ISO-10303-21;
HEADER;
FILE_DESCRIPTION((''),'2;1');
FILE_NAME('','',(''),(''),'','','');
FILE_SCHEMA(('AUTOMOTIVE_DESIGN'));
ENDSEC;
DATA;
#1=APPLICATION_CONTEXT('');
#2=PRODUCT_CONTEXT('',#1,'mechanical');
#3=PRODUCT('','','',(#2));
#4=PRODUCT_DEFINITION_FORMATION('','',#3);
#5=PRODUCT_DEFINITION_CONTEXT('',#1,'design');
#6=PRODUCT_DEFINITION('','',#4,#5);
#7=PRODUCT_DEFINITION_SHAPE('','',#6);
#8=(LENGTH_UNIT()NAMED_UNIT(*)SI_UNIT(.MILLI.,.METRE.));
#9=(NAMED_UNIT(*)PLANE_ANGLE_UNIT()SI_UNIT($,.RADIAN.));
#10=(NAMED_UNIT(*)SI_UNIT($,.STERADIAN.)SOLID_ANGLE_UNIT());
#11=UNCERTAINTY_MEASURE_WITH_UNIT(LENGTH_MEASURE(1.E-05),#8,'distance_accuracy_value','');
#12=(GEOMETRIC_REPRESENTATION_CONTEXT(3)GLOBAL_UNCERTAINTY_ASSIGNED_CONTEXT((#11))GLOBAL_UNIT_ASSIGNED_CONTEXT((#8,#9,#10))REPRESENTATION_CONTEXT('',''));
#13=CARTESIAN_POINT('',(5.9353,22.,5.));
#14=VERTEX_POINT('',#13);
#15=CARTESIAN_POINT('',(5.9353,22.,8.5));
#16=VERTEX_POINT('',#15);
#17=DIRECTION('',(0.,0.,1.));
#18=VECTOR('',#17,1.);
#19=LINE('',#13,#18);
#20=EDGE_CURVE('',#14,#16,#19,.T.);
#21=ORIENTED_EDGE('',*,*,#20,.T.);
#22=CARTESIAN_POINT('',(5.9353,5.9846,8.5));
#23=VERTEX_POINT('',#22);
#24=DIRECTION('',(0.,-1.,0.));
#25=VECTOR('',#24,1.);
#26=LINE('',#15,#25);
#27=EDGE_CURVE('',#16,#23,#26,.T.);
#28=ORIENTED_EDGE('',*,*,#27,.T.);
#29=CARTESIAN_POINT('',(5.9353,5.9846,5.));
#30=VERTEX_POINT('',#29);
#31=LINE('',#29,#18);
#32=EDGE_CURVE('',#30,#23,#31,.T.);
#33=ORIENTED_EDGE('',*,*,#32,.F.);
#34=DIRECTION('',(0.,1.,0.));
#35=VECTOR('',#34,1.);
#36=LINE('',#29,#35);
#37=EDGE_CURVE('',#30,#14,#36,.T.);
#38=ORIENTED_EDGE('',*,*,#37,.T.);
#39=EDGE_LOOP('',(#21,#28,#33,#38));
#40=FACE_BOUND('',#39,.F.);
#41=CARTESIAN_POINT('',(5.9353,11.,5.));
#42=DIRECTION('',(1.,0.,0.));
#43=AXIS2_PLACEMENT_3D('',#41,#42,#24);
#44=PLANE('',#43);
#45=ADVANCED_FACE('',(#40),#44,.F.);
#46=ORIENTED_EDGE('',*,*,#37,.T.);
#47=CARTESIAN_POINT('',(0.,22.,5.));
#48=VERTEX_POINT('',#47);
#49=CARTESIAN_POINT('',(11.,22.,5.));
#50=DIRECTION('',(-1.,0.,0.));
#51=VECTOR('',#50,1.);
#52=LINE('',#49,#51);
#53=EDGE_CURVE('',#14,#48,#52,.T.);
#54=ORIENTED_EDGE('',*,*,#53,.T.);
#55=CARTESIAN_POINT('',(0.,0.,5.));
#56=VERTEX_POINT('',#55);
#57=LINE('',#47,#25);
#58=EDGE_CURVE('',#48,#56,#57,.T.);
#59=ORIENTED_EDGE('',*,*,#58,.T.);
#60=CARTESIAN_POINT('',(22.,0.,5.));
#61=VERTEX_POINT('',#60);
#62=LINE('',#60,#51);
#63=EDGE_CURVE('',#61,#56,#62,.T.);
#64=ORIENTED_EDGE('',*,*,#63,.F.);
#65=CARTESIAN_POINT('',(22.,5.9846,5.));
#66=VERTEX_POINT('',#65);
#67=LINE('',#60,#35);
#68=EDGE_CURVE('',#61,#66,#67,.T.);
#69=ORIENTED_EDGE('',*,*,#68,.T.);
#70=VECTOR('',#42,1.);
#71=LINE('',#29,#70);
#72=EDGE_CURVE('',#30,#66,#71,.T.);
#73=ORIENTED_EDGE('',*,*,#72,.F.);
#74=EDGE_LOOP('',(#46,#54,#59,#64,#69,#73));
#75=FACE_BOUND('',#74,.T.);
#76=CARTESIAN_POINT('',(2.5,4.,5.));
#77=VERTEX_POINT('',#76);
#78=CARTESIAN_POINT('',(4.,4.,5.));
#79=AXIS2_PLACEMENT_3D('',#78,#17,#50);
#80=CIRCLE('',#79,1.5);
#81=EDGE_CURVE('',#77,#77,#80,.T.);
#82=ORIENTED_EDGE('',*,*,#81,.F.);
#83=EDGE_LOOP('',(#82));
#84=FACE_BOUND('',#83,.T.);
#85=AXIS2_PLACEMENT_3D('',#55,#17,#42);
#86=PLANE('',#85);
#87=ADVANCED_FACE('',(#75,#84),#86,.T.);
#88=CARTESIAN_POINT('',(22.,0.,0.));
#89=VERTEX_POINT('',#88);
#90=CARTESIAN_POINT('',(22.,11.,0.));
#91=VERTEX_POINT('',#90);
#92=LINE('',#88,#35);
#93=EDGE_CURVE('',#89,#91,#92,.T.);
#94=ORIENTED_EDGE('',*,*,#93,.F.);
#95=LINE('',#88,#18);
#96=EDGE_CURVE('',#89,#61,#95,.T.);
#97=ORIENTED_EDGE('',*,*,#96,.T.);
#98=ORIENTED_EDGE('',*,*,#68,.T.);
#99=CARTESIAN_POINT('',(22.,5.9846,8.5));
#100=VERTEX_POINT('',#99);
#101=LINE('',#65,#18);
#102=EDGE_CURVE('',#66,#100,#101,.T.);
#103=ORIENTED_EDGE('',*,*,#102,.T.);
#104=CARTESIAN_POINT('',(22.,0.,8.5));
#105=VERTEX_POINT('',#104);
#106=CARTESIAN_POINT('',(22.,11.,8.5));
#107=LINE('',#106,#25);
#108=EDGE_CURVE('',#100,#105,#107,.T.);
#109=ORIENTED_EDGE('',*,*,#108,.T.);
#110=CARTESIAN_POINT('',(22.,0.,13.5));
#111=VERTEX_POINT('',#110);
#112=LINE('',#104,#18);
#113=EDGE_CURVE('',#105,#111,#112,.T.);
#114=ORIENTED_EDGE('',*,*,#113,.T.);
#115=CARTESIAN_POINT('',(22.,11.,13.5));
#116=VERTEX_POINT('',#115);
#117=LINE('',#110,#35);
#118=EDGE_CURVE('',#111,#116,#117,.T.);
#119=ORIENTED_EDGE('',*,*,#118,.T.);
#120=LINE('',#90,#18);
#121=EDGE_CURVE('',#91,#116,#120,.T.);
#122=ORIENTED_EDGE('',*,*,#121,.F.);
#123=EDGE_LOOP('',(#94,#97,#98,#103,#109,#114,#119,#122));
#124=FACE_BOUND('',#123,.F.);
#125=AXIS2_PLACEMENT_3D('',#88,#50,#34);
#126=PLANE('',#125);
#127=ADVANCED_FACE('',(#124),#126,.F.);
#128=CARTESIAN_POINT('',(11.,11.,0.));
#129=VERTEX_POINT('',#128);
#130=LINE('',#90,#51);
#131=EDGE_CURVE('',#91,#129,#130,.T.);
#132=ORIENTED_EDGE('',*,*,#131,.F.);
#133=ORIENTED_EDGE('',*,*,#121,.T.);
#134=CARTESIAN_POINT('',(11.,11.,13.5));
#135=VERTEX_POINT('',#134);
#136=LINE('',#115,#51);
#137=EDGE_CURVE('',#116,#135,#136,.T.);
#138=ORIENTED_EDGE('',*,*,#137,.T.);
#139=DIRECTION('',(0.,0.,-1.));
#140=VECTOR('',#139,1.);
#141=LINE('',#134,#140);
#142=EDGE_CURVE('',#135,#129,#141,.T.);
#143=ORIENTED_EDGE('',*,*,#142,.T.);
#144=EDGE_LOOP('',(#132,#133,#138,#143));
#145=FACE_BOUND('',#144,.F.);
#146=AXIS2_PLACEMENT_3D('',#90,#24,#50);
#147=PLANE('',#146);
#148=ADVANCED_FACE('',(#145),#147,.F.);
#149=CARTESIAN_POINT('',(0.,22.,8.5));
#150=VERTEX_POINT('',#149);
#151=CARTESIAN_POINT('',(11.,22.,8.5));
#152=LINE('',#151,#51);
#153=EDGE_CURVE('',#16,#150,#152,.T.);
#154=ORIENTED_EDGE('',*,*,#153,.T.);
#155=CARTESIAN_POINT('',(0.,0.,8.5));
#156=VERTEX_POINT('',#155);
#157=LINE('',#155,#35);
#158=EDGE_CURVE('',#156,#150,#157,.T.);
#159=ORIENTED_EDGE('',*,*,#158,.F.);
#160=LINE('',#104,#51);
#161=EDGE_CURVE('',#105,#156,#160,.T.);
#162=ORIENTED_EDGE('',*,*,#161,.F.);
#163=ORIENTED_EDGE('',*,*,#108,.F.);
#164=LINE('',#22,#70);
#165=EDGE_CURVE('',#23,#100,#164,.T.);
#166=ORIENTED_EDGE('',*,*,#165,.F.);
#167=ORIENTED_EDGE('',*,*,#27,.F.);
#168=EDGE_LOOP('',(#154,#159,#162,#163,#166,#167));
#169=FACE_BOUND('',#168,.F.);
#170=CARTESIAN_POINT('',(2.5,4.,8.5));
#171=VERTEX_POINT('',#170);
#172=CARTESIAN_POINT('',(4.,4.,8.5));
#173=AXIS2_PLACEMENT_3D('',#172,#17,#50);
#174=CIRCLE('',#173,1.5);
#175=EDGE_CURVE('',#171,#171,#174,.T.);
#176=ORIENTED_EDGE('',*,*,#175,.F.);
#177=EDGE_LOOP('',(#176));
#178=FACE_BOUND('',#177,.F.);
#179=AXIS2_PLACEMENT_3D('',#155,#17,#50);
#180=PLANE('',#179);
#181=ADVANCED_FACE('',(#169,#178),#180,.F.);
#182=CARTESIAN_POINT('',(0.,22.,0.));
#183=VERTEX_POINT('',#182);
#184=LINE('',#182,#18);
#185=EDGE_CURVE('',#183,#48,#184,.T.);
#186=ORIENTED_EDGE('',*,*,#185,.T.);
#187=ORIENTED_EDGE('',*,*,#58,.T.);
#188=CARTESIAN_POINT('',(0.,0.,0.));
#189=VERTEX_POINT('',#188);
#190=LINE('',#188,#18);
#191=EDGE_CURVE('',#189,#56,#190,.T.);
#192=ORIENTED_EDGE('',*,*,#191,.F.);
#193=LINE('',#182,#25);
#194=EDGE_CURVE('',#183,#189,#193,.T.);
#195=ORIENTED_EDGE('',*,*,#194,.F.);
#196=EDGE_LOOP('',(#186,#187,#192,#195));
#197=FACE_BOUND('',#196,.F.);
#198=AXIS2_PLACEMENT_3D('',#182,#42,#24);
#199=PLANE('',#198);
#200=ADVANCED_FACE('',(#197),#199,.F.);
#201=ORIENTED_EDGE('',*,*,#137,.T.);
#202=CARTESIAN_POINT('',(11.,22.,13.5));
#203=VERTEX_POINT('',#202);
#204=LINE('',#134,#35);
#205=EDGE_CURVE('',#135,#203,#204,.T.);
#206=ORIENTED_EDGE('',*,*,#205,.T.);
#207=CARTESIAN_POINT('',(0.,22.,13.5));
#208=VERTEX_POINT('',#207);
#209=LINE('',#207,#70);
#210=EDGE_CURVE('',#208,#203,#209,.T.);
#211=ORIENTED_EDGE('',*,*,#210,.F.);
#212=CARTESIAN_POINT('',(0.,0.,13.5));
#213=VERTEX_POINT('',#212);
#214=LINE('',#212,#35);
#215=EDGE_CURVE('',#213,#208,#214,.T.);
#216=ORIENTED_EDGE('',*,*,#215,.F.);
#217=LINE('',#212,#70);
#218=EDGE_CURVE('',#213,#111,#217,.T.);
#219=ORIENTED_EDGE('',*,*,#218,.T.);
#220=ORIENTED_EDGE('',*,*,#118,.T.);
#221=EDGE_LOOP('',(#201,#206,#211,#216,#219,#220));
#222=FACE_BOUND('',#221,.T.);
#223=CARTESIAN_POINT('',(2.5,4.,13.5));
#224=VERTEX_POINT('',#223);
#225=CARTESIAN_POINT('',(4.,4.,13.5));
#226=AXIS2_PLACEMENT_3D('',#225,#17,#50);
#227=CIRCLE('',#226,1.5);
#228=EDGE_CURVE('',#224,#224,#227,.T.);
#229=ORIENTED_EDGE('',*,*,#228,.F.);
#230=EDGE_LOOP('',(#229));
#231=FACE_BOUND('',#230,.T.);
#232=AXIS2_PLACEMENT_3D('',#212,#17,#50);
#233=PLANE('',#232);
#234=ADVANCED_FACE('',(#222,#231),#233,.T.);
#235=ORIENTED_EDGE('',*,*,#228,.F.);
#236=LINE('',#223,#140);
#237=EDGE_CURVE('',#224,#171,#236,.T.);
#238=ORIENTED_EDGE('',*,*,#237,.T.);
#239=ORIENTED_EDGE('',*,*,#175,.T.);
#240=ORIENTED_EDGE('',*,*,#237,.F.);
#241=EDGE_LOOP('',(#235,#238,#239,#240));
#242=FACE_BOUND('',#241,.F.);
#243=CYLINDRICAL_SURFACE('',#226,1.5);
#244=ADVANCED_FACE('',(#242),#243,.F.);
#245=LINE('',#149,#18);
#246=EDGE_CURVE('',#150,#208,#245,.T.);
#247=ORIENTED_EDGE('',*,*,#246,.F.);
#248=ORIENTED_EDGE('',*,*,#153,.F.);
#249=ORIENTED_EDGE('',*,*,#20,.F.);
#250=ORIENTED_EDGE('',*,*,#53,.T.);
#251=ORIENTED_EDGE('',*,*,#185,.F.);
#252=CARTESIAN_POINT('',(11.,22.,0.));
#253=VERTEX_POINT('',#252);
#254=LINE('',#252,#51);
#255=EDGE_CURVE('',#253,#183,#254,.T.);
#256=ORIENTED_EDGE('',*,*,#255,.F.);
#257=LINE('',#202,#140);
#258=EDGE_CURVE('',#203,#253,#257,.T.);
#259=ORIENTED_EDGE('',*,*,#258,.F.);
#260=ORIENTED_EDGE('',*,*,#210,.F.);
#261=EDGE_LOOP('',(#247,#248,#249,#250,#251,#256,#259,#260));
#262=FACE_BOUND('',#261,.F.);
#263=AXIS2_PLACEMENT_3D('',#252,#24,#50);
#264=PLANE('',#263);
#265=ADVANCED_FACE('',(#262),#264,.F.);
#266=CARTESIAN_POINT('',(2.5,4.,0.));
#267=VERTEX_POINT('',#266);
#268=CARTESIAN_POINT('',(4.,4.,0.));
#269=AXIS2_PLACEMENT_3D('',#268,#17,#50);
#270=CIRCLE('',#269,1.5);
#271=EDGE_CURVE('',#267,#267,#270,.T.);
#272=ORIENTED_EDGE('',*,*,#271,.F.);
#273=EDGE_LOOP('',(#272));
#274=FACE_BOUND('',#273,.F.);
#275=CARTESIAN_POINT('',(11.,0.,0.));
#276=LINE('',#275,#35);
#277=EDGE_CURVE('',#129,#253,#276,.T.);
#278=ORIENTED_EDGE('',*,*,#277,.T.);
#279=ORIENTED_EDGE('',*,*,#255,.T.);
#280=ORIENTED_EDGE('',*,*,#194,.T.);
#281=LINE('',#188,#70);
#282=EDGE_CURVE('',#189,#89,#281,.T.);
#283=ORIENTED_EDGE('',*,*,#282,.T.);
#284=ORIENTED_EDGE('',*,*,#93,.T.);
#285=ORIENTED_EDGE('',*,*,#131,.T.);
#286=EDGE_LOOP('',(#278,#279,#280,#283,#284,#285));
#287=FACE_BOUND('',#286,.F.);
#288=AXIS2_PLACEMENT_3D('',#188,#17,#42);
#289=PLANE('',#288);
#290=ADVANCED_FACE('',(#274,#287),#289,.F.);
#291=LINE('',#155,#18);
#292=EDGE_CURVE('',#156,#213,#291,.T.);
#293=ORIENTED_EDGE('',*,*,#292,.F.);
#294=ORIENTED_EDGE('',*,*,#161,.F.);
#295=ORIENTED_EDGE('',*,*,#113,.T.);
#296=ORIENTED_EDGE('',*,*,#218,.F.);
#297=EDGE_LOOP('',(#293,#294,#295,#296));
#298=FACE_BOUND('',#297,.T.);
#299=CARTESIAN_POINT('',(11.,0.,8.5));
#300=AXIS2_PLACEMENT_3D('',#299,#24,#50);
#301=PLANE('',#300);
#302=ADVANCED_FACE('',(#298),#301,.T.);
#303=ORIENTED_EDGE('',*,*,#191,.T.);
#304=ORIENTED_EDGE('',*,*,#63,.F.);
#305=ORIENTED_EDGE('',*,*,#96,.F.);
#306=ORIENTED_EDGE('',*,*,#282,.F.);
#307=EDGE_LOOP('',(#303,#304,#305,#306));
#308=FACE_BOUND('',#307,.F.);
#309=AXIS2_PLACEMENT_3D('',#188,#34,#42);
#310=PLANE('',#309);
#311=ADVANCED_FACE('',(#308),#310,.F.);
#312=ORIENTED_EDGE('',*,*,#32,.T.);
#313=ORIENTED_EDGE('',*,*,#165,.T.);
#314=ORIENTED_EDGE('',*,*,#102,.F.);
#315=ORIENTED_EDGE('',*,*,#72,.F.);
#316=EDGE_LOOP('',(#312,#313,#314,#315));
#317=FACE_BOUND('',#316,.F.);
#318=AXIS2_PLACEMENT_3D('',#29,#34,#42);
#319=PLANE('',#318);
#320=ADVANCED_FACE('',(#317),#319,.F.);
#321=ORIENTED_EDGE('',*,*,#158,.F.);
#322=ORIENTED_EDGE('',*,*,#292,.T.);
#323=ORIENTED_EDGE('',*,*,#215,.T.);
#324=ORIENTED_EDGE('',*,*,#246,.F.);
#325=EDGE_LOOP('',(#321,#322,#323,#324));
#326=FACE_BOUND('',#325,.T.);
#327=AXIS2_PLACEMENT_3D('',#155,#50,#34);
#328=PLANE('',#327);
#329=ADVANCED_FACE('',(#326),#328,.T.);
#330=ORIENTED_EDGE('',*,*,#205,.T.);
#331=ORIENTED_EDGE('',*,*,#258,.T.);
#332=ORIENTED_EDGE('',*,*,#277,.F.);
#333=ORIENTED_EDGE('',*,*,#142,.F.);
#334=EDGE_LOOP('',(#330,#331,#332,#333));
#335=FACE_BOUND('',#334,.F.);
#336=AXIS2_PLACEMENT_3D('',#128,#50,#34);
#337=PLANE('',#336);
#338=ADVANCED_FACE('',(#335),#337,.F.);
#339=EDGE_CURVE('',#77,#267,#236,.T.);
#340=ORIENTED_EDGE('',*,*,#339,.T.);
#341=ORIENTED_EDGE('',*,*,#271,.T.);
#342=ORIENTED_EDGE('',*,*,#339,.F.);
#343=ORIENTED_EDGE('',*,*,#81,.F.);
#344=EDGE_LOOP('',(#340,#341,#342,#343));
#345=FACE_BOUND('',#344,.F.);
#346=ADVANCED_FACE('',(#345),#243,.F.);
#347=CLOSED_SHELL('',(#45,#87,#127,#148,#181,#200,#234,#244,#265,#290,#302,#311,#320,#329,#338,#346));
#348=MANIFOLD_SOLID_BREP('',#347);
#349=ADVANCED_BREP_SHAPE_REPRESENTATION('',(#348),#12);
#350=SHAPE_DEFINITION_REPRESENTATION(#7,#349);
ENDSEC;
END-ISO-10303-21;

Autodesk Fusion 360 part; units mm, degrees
sketch "Sketch1" plane through (0, 0, 0) normal (0, 0, 1) x (1, 0, 0)
  line L0 (0, 0) -> (11, 0)
  line L1 (11, 0) -> (11, 22)
  line L2 (11, 22) -> (0, 22)
  line L3 (0, 22) -> (0, 0)
  line L4 (11, 0) -> (22, 0)
  line L5 (22, 0) -> (22, 11)
  line L6 (22, 11) -> (11, 11)
  line L7 (11, 11) -> (11, 0)
  dimension "d1" = 11
  dimension "d2" = 22
  dimension "d3" = 11
  dimension "d4" = 11
extrude "Extrude1" add sketch "Sketch1" along normal blind 5
sketch "Sketch2" plane through (0, 0, 5) normal (0, 0, 1) x (-1, 0, 0)
  line L0 (-22, -11) -> (-11, -11)
  line L1 (-11, -11) -> (-11, -22)
  line L2 (-11, -22) -> (0, -22)
  line L3 (0, -22) -> (0, 0)
  line L4 (0, 0) -> (-22, 0)
  line L5 (-22, 0) -> (-22, -11)
  line L6 (-22, -11) -> (-5.9353, -11)
  line L7 (-5.9353, -11) -> (-5.9353, -5.9846)
  line L8 (-5.9353, -5.9846) -> (-22, -5.9846)
  line L9 (-22, -5.9846) -> (-22, -11)
  line L10 (-5.9353, -22) -> (-11, -22)
  line L11 (-11, -22) -> (-11, -11)
  line L12 (-11, -11) -> (-5.9353, -11)
  line L13 (-5.9353, -11) -> (-5.9353, -22)
extrude "Extrude2" add sketch "Sketch2" along normal blind 3.5 contours L0 L5 L6 L7 L8 L9 L12 | L1 L2 L6 L10 L11 L12 L13
sketch "Sketch3" plane through (0, 0, 8.5) normal (0, 0, 1) x (-1, 0, 0)
  line L0 (-5.9353, -5.9846) -> (-22, -5.9846)
  line L1 (-22, -5.9846) -> (-22, -11)
  line L2 (-22, -11) -> (-11, -11)
  line L3 (-11, -11) -> (-11, -22)
  line L4 (-11, -22) -> (-5.9353, -22)
  line L5 (-5.9353, -22) -> (-5.9353, -5.9846)
  line L6 (0, -22) -> (-11, -22)
  line L7 (-11, -22) -> (-11, 0)
  line L8 (-11, 0) -> (0, 0)
  line L9 (0, 0) -> (0, -22)
  line L10 (-11, -11) -> (-22, -11)
  line L11 (-22, -11) -> (-22, 0)
  line L12 (-22, 0) -> (-11, 0)
  line L13 (-11, 0) -> (-11, -11)
extrude "Extrude3" add sketch "Sketch3" along normal blind 5
sketch "Sketch4" plane through (0, 0, 13.5) normal (0, 0, 1) x (-1, 0, 0)
  line L0 (-22, 0) -> (-22, -11)
  line L1 (-22, -11) -> (-11, -11)
  line L2 (-11, -11) -> (-11, -22)
  line L3 (-11, -22) -> (0, -22)
  line L4 (0, -22) -> (0, 0)
  line L5 (0, 0) -> (-22, 0)
  circle A0 centre (-4, -4) radius 1.5
  dimension "d11" = 3
extrude "Extrude4" cut sketch "Sketch4" against normal blind 17 contours A0
